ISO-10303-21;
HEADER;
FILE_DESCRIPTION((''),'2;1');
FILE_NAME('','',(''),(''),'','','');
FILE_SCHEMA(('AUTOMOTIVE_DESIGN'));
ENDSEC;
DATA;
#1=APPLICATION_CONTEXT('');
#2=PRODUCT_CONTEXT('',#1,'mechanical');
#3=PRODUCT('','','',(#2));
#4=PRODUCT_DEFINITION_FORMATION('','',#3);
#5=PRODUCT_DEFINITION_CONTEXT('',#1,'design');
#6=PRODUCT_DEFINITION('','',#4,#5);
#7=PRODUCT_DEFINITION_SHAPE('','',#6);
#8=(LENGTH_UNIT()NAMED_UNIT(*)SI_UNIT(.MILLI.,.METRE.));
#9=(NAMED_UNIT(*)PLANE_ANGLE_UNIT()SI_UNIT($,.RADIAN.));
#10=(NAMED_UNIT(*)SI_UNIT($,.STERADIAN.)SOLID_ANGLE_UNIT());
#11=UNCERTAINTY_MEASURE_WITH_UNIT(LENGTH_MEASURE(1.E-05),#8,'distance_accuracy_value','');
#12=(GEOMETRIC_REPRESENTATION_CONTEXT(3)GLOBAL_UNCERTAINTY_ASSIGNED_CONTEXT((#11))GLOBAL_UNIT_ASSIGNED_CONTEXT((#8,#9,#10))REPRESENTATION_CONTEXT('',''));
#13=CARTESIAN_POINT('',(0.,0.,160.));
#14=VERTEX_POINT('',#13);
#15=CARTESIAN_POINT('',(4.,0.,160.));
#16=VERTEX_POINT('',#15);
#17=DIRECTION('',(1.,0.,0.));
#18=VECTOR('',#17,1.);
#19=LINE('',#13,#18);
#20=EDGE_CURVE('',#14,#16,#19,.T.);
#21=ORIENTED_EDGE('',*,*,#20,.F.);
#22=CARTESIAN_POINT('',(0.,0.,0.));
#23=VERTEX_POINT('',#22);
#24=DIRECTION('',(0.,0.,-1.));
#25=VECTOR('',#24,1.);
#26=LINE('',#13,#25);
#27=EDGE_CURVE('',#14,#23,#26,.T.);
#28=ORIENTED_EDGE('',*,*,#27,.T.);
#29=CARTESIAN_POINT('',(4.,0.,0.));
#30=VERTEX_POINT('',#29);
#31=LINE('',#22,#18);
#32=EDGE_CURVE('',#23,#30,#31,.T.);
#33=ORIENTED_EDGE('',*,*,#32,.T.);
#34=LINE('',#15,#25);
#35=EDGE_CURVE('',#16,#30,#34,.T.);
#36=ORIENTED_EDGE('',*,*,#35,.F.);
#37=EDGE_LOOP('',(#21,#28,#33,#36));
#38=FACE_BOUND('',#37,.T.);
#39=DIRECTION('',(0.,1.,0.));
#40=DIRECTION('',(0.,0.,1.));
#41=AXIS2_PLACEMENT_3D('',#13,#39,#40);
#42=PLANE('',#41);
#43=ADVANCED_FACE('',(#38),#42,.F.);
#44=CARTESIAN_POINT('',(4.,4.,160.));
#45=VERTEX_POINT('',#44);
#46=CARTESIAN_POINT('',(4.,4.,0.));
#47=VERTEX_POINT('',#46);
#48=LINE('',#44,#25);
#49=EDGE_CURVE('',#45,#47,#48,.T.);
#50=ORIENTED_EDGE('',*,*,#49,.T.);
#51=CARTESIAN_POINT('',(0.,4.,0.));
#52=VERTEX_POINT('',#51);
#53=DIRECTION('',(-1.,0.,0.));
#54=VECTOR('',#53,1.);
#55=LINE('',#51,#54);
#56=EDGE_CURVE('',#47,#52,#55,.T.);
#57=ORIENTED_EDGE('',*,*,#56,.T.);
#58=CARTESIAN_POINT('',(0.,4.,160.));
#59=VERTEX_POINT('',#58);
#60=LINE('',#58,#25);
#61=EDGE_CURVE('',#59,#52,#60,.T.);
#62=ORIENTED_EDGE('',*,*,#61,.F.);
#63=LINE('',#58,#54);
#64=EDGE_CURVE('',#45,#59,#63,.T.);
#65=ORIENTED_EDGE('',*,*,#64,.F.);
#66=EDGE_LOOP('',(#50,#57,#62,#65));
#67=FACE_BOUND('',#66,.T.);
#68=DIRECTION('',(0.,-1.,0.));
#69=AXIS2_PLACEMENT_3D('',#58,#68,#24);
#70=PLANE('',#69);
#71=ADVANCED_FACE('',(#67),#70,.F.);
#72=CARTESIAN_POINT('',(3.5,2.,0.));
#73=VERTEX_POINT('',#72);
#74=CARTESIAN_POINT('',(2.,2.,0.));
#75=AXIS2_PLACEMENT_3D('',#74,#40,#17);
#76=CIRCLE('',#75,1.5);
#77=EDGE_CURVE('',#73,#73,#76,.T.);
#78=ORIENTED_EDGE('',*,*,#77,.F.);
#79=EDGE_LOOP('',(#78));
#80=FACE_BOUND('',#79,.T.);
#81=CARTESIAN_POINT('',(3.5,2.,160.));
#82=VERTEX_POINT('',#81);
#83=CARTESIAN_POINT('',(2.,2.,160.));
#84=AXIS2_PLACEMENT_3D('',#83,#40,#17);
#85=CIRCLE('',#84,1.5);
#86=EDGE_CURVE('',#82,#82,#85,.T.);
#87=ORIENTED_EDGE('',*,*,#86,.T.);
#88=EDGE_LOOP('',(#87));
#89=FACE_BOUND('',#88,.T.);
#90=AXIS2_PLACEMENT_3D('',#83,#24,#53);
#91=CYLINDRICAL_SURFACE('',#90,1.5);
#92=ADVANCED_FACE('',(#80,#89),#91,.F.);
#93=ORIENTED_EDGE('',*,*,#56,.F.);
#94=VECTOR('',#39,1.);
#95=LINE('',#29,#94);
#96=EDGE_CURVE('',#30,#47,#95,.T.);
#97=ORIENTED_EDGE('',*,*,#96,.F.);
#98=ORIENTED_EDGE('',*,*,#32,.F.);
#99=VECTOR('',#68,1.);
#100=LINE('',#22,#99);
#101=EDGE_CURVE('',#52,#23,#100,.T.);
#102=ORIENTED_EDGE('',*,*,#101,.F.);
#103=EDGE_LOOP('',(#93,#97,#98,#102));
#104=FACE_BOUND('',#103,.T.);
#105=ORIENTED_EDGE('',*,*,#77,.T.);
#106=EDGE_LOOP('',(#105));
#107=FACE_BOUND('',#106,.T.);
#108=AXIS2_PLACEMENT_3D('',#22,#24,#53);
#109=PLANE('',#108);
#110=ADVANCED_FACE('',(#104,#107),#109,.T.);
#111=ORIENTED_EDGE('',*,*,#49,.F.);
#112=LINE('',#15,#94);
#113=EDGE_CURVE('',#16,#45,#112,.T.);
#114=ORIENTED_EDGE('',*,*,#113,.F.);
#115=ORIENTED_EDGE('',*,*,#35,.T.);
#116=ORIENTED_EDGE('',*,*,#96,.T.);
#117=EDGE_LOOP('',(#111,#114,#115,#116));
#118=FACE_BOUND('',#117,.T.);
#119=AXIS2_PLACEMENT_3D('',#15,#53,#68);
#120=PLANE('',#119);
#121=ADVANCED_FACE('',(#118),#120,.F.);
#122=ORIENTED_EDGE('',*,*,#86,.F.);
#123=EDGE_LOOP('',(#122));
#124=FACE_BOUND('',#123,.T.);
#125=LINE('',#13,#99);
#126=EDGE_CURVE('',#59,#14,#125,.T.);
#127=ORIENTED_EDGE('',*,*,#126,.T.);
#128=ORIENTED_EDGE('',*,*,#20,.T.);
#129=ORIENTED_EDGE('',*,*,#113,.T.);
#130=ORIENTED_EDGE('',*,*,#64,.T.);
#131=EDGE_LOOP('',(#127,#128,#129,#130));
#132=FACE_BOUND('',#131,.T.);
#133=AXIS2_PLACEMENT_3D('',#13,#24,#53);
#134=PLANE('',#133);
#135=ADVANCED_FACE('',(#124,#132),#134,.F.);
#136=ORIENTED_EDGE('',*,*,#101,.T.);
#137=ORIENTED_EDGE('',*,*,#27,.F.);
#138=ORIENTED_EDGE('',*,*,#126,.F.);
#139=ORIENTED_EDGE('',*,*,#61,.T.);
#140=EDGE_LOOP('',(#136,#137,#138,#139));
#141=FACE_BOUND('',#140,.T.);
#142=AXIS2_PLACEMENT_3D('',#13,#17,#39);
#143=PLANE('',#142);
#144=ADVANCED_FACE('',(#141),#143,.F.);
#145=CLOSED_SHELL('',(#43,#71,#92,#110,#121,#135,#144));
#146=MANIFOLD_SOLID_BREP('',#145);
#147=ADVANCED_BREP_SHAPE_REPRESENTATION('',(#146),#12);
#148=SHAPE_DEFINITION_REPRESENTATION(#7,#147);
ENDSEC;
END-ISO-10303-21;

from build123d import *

# Parameters (mm, degrees)
SKETCH1_W           = 4
SKETCH1_H           = 4
SKETCH1_R           = 1.5
BOSS_EXTRUDE1_DEPTH = 160


with BuildPart() as part:
    # Sketch1 → Boss-Extrude1 (new body)
    with BuildSketch(Plane.XY):
        with Locations((2, 2)):
            Rectangle(SKETCH1_W, SKETCH1_H)
        with Locations((2, 2)):
            Circle(SKETCH1_R, mode=Mode.SUBTRACT)
    extrude(amount=BOSS_EXTRUDE1_DEPTH)


solid = part.part
